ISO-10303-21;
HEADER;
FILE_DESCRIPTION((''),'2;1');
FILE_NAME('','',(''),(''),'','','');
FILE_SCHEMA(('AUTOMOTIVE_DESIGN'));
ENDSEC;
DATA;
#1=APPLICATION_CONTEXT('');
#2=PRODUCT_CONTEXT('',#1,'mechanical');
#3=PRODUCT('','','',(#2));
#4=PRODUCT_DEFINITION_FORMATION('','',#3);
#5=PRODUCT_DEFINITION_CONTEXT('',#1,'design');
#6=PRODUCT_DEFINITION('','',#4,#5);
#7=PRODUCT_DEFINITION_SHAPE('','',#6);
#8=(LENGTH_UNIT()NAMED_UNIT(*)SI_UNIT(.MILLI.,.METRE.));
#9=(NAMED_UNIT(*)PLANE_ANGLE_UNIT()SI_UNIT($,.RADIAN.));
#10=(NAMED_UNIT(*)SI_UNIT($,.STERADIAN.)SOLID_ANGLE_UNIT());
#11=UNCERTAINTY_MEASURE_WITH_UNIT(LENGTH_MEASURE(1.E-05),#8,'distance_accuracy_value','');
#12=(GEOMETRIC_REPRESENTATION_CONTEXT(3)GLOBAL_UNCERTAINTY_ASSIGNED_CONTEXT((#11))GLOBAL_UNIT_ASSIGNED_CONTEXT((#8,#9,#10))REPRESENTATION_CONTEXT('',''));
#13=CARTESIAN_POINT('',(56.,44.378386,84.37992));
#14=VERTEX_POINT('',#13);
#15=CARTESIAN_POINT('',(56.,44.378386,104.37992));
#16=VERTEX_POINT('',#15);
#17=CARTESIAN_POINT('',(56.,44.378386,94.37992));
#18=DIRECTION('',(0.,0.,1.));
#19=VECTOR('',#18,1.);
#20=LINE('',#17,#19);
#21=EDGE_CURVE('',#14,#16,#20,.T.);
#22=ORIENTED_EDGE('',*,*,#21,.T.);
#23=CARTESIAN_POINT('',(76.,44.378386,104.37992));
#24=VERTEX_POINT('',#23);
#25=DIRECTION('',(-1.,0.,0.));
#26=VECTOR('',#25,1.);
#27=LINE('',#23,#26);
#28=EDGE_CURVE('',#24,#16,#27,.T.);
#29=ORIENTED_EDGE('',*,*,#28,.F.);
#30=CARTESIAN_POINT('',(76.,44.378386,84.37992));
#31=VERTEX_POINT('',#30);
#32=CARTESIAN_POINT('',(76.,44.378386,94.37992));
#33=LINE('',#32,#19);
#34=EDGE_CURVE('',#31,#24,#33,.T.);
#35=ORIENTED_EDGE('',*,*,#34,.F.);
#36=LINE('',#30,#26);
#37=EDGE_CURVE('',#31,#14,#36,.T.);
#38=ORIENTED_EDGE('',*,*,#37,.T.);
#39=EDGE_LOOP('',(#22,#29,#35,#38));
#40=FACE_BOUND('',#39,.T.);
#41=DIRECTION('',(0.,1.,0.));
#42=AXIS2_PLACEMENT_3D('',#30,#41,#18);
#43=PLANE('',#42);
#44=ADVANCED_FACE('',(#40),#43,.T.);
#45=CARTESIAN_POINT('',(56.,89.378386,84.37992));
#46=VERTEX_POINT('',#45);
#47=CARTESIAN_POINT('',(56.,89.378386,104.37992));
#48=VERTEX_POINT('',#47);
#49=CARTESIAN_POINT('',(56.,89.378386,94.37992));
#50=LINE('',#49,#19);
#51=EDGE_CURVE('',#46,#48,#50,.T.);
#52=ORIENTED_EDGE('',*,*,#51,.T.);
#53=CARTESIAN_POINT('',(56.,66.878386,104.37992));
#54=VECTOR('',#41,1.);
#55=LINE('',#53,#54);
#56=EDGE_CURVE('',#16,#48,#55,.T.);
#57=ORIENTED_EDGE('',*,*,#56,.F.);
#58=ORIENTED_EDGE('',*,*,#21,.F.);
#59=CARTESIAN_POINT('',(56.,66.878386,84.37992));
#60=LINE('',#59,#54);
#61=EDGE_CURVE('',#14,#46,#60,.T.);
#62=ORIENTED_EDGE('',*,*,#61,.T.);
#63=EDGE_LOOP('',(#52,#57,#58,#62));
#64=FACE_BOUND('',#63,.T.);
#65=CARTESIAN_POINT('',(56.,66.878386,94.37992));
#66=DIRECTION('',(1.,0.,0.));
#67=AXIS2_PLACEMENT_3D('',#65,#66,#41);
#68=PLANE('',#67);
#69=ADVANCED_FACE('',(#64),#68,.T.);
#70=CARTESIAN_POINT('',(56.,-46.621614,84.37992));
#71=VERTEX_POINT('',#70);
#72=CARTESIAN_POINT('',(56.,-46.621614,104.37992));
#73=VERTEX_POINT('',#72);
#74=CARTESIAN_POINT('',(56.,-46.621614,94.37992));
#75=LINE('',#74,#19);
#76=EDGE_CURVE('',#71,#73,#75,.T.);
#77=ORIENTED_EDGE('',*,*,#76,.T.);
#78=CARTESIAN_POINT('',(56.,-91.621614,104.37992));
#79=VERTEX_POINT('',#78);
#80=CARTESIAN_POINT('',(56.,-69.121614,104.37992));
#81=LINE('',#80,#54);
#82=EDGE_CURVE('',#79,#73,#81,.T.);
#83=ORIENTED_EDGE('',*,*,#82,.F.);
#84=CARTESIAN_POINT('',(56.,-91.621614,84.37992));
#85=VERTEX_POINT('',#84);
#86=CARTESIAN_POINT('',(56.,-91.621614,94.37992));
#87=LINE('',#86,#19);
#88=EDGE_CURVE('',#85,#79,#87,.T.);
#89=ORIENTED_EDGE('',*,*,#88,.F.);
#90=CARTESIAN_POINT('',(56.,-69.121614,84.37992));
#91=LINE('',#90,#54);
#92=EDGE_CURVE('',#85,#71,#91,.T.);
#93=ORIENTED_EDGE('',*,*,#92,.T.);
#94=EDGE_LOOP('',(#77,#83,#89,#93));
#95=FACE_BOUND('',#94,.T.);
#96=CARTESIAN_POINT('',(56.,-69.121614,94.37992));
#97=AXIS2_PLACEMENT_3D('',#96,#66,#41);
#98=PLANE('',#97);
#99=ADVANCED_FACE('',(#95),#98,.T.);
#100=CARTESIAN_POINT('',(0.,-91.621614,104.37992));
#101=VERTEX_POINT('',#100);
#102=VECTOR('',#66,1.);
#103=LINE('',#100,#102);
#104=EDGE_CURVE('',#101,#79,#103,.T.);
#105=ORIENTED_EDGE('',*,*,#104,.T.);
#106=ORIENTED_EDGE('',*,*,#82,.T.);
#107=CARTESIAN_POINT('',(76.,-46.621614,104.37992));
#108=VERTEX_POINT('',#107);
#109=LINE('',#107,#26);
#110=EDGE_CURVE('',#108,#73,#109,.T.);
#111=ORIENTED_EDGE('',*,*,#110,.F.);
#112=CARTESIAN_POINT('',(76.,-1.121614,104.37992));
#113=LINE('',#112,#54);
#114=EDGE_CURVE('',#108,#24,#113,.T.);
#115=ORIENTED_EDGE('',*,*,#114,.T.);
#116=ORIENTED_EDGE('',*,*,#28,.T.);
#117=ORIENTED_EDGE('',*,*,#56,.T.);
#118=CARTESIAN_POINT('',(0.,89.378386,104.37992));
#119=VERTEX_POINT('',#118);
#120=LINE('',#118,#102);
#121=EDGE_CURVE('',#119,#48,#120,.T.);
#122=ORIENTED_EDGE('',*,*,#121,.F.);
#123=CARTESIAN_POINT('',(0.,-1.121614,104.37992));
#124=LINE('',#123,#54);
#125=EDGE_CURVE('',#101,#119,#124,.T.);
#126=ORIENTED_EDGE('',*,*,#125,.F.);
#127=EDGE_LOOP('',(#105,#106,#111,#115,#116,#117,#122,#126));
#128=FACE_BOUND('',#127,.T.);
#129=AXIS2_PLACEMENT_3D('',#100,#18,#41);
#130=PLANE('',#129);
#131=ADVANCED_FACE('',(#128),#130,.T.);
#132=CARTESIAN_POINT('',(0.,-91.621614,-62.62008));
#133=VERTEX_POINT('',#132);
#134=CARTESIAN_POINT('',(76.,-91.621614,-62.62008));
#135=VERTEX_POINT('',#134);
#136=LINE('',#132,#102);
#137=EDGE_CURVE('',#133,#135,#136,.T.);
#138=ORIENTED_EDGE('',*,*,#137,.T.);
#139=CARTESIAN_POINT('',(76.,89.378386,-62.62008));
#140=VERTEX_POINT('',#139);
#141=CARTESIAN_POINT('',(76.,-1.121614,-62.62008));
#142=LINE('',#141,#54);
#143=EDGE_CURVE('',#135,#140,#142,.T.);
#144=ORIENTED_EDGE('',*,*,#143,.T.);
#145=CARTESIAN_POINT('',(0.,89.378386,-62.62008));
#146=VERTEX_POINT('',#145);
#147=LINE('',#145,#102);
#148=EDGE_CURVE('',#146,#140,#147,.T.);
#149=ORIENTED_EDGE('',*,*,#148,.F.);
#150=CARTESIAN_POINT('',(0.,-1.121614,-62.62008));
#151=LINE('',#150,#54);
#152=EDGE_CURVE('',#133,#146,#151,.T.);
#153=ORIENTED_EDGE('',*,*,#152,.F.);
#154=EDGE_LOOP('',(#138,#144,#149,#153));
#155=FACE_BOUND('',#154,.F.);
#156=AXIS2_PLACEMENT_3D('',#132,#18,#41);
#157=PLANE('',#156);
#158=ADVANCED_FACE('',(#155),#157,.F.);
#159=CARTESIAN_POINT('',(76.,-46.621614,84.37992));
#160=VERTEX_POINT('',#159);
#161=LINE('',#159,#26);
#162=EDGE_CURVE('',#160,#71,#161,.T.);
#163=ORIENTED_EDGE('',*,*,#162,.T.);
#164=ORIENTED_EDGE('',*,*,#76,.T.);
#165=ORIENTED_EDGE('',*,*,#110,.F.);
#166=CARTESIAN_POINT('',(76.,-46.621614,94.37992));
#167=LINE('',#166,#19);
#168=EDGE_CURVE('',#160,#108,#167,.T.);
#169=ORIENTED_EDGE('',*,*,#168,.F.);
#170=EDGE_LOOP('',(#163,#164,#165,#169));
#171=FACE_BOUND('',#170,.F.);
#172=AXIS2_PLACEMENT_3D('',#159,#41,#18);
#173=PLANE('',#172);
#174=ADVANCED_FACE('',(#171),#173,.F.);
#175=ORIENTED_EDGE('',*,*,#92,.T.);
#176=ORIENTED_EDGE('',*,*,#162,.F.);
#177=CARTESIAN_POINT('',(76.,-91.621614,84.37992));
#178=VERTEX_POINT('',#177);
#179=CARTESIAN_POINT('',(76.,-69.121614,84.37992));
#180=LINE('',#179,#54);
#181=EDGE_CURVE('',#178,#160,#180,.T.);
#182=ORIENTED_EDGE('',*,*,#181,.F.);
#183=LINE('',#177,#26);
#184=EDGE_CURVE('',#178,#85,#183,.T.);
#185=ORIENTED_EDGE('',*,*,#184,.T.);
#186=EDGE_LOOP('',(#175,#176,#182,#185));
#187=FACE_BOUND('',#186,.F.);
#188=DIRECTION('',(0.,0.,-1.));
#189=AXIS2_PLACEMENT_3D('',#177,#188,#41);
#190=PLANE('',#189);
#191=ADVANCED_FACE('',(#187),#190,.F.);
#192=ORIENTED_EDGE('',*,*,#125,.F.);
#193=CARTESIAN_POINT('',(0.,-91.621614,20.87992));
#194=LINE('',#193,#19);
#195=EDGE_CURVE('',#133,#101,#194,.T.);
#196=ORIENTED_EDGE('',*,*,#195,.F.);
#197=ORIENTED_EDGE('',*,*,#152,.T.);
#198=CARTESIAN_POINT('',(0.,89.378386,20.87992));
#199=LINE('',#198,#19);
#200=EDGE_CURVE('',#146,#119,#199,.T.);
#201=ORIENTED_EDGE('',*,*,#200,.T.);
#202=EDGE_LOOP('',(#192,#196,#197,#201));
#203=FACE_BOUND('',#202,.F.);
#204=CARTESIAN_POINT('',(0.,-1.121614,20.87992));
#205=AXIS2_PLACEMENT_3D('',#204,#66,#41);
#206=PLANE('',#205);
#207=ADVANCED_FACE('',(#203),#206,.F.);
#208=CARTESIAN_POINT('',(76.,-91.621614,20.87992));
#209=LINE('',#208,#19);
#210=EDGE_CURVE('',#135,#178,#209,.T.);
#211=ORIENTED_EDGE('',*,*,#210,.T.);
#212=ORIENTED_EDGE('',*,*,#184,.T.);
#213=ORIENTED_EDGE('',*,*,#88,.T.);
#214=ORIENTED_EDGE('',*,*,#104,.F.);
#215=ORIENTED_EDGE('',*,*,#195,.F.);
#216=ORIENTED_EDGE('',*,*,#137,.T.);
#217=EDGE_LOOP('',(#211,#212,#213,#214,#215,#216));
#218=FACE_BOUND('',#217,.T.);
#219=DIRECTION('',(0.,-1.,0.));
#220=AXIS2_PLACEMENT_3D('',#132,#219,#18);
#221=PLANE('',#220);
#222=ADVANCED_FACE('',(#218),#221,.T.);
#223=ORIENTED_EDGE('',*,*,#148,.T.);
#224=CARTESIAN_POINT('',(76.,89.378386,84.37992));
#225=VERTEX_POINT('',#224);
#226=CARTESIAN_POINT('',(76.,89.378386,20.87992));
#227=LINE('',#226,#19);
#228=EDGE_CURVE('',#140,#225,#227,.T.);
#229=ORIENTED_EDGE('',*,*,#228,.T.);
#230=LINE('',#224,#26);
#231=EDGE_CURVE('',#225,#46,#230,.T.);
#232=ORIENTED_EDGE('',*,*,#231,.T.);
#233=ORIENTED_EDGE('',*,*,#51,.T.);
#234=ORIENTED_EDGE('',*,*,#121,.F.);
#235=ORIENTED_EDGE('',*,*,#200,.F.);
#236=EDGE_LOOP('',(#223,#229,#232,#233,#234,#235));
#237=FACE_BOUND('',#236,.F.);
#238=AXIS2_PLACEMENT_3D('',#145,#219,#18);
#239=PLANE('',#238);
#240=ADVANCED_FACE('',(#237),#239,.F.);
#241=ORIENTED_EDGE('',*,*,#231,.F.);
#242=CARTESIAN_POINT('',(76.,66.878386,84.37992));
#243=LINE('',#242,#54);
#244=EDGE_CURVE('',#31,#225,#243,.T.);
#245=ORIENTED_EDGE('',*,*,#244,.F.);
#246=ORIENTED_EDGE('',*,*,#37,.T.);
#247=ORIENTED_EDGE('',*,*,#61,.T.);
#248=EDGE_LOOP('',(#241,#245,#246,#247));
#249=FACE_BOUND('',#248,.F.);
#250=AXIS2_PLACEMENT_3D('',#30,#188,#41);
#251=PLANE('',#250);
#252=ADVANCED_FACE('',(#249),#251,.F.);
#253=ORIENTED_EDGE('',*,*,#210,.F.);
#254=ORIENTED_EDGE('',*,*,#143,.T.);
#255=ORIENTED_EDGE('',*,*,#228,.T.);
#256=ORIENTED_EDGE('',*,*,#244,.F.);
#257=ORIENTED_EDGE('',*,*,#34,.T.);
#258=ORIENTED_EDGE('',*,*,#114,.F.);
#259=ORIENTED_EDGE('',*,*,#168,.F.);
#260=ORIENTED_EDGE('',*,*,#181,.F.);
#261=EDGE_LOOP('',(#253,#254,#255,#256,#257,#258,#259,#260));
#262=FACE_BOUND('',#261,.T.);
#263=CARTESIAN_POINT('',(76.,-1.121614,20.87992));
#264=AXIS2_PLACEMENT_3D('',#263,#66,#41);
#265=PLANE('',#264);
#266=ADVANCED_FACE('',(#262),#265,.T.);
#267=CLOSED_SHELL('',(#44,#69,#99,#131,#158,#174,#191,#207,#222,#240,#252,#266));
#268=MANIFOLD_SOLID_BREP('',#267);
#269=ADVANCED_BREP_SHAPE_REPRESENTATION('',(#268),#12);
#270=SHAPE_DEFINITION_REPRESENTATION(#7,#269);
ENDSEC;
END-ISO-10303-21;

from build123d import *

# Parameters (mm, degrees)
F0_W     = 181
F0_H     = 167
F1_DEPTH = 76
F2_W     = 45
F2_H     = 20
F3_DEPTH = 20
F4_W     = 45
F4_H     = 20
F5_DEPTH = 20


with BuildPart() as f1:
    # F0 (on Right) → F1 (new body)
    with BuildSketch(Plane.YZ):
        with Locations((-1.121614, 20.87992)):
            Rectangle(F0_W, F0_H)
    extrude(amount=F1_DEPTH)

    # F2 (on face) → F3 (cut)
    with BuildSketch(Plane.YZ.offset(76)):
        with Locations((-69.121614, 94.37992)):
            Rectangle(F2_W, F2_H)
    extrude(amount=-F3_DEPTH, mode=Mode.SUBTRACT)

    # F4 (on face) → F5 (cut)
    with BuildSketch(Plane.YZ.offset(76)):
        with Locations((66.878386, 94.37992)):
            Rectangle(F4_W, F4_H)
    extrude(amount=-F5_DEPTH, mode=Mode.SUBTRACT)


solid = f1.part
